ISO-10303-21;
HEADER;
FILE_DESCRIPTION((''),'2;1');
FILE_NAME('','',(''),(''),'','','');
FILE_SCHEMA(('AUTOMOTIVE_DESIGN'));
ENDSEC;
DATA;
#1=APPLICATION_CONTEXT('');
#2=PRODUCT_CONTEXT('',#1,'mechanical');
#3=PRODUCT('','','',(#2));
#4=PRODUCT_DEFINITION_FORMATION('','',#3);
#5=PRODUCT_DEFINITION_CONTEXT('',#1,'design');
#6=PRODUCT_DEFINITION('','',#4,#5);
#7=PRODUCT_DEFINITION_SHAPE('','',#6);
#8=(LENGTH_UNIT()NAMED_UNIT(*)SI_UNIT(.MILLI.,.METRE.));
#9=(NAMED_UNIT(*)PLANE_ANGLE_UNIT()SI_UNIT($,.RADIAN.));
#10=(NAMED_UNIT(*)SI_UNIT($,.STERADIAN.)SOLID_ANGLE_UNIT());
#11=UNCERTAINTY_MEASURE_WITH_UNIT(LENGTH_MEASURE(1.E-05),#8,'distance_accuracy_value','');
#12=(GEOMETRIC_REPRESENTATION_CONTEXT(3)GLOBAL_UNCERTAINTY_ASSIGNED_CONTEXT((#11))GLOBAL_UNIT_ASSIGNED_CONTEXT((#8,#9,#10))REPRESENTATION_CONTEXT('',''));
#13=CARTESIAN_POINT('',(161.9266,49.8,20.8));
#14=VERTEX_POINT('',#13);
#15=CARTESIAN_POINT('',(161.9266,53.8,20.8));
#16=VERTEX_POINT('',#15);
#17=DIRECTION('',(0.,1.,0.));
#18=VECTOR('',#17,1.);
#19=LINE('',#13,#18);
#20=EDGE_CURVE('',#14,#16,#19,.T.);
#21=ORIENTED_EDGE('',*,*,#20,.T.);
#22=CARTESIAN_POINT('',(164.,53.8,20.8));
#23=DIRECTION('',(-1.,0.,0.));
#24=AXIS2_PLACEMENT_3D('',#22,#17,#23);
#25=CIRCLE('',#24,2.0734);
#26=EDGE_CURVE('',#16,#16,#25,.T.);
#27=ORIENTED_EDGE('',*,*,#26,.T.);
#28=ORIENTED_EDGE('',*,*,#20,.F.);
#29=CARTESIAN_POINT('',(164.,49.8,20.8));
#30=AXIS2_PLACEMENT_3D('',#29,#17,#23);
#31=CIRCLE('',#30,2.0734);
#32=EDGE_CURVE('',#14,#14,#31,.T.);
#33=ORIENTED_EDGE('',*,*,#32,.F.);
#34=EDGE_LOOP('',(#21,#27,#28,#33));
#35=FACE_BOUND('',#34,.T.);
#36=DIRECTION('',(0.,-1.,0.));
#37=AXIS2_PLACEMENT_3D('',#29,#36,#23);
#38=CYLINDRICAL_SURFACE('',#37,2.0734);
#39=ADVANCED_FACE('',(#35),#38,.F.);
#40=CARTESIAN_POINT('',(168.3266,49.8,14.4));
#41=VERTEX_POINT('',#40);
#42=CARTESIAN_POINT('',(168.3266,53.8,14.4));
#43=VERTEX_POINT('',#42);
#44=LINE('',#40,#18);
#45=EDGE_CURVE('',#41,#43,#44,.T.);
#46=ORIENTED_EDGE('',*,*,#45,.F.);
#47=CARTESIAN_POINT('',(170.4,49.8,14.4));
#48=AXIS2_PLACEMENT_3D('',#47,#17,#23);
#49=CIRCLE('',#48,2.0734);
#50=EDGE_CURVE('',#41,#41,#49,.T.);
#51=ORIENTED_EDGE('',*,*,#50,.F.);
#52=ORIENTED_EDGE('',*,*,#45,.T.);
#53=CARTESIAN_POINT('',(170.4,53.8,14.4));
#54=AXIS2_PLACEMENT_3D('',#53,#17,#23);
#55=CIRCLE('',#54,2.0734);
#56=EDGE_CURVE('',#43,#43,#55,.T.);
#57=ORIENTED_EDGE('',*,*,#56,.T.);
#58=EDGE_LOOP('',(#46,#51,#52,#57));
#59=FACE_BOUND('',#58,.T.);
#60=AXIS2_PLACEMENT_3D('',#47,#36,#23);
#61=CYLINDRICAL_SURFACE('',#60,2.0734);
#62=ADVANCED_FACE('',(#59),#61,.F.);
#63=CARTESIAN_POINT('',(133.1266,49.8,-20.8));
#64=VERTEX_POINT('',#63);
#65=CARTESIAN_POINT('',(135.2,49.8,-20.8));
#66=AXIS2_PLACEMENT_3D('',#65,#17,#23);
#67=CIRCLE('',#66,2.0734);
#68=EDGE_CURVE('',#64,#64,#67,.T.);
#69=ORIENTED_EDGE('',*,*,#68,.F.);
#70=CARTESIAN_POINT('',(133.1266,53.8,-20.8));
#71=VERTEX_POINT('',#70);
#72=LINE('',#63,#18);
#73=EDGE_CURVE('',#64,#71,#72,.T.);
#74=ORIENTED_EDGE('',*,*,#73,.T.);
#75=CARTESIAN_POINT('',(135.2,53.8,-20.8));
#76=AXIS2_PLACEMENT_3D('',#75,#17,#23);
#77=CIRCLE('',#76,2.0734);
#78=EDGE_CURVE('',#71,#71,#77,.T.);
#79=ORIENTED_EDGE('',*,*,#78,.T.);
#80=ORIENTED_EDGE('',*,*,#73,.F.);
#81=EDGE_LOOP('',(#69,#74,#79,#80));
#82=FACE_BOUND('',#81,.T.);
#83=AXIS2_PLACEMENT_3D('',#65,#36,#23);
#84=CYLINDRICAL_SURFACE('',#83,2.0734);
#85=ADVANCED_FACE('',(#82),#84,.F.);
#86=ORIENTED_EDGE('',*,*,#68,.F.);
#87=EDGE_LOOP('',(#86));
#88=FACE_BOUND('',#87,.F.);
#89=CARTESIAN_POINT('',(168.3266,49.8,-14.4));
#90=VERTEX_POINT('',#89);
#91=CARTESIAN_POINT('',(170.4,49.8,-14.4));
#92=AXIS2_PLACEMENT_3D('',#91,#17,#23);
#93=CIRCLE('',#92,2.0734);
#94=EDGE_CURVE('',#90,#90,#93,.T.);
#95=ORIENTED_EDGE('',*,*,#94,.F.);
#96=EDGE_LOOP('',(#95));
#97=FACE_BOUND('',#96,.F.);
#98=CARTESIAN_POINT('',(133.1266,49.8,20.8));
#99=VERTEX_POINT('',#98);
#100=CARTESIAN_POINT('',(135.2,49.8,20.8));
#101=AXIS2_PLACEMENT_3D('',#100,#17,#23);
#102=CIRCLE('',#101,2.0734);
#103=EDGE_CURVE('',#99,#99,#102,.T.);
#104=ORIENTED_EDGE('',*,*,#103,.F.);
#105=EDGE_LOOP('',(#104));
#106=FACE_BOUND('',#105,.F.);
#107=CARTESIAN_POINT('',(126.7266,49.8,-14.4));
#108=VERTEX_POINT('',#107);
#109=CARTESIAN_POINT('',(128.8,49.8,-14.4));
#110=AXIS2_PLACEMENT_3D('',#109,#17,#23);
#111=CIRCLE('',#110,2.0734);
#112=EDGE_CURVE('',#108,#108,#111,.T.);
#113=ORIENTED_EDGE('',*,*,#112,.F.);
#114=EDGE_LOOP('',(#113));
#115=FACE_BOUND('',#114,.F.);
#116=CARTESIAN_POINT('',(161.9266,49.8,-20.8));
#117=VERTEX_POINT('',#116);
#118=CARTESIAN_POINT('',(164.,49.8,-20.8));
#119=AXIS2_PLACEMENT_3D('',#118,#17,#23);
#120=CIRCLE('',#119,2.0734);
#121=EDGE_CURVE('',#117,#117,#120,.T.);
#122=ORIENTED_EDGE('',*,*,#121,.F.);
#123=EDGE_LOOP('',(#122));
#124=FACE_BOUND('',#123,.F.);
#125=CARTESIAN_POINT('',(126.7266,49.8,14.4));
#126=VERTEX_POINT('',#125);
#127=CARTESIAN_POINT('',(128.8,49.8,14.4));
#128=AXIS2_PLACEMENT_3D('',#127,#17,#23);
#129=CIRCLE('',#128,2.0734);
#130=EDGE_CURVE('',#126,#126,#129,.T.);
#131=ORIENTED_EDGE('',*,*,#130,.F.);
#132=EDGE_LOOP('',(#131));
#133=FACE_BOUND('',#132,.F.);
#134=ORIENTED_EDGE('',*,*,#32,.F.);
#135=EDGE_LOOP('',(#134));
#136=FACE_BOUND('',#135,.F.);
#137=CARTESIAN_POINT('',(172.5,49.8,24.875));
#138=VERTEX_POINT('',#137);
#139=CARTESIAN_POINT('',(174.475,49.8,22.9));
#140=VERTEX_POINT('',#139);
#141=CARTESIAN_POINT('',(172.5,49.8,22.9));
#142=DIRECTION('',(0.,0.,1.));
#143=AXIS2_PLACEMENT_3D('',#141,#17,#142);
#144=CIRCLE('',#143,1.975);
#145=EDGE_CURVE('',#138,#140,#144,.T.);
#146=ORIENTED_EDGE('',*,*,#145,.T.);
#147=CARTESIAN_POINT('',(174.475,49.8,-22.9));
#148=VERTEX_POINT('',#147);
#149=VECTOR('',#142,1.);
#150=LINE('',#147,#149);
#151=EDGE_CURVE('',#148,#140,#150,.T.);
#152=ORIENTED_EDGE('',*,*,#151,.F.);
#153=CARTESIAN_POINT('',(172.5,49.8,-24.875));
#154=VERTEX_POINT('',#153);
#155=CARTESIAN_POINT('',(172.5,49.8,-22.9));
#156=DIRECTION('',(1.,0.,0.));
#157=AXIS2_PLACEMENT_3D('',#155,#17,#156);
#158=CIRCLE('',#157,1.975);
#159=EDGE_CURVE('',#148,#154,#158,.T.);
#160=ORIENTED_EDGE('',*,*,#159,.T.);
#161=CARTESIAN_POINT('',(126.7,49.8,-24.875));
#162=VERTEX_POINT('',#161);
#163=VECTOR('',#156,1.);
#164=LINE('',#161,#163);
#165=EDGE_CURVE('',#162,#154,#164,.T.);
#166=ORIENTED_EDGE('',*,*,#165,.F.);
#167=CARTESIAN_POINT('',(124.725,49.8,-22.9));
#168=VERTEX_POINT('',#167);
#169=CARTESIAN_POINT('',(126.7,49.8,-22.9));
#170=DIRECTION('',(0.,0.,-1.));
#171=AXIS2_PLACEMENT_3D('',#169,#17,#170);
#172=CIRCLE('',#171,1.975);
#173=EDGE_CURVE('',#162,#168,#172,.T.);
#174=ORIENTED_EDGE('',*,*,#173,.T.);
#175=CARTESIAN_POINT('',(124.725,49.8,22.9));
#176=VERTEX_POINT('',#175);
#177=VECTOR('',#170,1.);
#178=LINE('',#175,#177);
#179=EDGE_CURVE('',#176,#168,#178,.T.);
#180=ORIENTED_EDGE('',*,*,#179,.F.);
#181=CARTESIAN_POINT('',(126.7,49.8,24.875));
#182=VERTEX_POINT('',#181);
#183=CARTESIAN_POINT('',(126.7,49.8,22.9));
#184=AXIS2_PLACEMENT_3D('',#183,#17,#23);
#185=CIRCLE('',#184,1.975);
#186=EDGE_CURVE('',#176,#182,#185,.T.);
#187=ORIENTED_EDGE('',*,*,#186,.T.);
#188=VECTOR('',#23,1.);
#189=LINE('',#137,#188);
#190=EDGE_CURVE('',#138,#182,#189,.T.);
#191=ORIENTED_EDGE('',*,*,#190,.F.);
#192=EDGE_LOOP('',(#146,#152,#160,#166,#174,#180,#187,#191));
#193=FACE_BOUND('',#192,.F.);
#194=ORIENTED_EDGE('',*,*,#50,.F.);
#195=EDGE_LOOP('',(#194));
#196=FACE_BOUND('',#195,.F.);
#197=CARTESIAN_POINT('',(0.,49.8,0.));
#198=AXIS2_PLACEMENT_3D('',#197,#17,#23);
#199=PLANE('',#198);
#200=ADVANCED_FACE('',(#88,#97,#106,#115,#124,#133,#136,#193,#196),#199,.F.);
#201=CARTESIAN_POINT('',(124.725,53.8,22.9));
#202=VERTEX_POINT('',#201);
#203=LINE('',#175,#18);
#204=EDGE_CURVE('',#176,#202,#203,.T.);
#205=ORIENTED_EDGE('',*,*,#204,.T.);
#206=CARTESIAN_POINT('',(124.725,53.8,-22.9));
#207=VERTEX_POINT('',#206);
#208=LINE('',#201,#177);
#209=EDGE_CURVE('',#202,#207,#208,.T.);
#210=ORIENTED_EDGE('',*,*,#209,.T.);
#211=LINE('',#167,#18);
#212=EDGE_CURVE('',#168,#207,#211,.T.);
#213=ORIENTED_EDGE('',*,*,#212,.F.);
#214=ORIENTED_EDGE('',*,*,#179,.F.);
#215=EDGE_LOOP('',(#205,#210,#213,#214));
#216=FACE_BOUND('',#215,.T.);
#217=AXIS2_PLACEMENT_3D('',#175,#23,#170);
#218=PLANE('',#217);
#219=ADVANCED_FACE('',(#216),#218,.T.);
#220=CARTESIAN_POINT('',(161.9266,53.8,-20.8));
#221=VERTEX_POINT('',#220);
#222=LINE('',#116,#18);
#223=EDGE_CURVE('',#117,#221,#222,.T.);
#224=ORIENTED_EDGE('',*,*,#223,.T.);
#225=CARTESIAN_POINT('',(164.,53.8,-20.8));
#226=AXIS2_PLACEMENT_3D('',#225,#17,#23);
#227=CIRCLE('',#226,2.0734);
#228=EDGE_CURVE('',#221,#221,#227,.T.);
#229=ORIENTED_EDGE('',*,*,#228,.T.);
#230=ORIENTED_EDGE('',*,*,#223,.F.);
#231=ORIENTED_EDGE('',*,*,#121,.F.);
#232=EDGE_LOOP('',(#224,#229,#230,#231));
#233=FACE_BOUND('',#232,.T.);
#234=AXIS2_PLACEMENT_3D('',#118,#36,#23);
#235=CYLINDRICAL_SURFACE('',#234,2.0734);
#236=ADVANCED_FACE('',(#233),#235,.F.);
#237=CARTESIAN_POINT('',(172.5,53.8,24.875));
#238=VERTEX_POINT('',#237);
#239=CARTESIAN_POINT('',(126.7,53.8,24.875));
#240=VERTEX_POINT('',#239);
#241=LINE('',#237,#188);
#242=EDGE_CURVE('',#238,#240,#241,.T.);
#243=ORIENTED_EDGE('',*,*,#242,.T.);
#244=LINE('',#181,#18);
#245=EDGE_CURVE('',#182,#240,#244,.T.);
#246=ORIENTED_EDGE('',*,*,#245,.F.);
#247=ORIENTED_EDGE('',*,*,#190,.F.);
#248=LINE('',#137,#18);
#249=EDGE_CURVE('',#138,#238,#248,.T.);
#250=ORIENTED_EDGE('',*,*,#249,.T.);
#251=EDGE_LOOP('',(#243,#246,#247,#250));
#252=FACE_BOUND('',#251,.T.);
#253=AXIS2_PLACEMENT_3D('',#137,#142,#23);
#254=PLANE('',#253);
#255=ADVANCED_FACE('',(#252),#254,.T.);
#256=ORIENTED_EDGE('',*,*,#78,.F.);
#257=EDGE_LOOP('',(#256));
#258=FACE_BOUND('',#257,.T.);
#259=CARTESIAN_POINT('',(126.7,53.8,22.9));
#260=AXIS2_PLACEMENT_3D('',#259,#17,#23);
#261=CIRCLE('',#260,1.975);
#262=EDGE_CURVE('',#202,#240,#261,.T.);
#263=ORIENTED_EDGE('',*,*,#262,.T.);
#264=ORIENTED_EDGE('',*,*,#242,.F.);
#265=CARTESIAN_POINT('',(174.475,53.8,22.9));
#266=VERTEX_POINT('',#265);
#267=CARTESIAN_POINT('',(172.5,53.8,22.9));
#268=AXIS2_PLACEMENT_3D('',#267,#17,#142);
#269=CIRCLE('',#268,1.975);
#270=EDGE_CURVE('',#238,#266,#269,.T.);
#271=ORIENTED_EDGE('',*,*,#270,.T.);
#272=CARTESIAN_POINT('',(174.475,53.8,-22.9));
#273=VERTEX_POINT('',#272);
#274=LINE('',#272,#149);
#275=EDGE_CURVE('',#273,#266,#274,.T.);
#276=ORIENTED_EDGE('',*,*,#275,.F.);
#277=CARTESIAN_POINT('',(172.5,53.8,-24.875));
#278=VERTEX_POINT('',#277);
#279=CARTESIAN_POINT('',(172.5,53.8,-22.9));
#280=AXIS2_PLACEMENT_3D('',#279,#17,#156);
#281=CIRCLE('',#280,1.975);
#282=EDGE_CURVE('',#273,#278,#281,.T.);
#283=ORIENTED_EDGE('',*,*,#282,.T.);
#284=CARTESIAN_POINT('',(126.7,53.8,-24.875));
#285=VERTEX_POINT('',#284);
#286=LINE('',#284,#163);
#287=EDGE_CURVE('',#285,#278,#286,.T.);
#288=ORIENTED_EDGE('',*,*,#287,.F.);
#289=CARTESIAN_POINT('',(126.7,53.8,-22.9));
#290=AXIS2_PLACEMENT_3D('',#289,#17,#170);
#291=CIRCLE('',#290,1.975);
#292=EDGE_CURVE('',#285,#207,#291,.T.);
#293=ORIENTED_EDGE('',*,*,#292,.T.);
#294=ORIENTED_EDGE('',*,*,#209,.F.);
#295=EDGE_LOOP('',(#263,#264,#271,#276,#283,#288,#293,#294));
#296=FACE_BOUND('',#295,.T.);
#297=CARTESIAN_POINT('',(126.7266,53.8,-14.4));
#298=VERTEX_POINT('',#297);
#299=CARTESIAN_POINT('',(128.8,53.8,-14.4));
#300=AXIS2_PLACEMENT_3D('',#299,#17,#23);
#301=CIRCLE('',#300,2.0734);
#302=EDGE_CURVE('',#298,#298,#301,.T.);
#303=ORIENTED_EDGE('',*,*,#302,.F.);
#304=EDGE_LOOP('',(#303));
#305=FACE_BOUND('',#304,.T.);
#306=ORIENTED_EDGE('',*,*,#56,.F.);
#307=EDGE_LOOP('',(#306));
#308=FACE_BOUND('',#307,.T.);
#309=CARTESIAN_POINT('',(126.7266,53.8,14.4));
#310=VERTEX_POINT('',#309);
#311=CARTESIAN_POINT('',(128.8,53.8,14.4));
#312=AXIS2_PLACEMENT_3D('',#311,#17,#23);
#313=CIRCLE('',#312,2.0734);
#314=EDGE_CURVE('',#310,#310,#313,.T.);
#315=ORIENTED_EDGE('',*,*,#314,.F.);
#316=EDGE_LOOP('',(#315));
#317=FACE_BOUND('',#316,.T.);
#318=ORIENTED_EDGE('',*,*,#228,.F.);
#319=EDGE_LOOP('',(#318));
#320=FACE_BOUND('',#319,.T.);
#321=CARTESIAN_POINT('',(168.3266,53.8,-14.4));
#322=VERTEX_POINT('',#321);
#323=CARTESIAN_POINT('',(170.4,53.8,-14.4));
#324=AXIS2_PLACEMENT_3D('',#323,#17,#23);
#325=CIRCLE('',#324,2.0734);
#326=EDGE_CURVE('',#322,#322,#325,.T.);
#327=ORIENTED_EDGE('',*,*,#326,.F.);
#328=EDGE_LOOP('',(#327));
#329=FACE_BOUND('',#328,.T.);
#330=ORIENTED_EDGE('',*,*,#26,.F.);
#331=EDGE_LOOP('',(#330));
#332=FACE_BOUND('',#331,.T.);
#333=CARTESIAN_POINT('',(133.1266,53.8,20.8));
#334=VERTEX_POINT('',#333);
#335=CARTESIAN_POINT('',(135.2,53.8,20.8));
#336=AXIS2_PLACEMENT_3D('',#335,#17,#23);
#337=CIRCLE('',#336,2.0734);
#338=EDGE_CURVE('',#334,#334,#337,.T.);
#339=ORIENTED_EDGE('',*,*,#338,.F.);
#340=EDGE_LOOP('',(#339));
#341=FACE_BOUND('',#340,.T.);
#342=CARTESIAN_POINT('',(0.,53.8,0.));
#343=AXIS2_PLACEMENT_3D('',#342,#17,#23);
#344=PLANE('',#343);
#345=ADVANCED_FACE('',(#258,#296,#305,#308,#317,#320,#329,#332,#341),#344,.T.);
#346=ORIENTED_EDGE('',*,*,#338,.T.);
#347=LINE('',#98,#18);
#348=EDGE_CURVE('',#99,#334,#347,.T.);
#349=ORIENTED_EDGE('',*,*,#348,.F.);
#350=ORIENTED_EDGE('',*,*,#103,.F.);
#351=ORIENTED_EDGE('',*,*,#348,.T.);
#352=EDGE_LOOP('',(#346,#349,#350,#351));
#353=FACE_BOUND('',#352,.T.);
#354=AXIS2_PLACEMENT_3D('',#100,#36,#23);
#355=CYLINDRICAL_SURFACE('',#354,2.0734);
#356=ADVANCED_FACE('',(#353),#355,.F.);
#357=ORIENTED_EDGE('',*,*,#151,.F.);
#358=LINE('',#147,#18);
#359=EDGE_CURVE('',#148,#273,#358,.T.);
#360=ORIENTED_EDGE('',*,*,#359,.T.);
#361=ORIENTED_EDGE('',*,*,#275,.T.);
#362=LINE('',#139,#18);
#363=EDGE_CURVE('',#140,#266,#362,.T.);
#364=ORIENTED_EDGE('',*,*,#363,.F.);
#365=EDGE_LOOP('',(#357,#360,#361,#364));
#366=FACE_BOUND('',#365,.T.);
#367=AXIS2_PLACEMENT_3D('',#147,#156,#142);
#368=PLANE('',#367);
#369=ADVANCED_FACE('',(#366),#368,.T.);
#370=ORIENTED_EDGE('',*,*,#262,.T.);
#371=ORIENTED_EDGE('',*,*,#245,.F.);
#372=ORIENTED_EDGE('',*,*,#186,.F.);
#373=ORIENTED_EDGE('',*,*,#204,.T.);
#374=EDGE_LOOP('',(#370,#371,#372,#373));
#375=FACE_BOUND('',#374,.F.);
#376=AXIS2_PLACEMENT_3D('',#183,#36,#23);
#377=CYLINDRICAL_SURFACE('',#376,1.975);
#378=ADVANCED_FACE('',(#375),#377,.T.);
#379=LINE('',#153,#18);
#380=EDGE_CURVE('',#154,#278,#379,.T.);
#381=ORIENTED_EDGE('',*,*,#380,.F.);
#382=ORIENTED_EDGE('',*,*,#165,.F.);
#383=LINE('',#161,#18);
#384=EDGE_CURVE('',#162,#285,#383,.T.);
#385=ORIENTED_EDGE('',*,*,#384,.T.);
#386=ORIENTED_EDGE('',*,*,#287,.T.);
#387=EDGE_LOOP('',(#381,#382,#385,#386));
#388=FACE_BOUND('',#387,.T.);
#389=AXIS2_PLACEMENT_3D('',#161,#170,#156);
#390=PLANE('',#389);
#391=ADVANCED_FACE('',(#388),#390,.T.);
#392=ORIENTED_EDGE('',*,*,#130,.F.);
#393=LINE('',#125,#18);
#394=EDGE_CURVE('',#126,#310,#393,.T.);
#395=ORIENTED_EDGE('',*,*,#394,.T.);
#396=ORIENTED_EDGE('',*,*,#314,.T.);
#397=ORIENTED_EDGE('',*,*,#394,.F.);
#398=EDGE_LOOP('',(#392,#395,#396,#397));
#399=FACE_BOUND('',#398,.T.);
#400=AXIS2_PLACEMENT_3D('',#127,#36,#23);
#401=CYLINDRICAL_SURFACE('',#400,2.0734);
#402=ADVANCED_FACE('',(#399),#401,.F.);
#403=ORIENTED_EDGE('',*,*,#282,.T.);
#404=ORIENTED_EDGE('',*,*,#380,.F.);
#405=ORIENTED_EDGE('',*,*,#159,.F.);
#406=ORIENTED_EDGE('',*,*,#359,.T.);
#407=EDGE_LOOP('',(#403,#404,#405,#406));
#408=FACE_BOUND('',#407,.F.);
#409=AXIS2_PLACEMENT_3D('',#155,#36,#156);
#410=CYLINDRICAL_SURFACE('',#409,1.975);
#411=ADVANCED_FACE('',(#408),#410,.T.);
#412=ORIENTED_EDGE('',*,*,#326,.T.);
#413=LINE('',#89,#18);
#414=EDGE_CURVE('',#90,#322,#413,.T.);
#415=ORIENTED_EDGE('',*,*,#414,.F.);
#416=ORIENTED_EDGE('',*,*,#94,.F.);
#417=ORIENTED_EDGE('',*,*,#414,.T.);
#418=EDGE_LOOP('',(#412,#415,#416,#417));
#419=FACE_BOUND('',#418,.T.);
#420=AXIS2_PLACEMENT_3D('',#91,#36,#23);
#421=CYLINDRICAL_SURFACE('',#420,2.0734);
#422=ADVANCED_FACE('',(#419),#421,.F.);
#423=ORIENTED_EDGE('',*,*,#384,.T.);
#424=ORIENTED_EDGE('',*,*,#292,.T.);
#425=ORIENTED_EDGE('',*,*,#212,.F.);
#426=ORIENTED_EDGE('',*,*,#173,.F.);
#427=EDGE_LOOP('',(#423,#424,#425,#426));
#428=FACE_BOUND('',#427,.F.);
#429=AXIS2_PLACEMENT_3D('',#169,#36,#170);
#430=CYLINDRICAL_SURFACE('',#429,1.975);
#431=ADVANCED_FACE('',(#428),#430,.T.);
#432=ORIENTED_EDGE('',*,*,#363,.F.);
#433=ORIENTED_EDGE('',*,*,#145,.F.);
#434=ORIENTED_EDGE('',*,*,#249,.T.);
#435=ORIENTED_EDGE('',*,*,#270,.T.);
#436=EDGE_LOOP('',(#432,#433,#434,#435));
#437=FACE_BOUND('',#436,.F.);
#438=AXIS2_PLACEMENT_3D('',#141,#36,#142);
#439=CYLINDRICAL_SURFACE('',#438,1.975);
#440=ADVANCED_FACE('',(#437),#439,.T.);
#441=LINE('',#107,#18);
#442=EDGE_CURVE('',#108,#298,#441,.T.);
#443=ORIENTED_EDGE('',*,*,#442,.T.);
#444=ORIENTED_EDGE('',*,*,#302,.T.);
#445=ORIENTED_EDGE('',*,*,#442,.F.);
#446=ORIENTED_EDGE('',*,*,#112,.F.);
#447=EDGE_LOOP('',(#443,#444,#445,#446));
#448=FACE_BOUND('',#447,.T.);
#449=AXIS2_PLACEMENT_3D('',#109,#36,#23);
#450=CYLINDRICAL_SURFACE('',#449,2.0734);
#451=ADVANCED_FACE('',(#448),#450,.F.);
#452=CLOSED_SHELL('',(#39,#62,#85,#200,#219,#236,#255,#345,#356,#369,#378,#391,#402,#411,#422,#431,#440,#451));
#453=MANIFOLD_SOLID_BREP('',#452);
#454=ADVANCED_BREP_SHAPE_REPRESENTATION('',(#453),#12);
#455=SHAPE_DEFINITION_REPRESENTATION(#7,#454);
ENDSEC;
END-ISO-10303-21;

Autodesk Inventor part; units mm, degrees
ref_plane "YZ Plane" through (0, 0, 0) normal (1, 0, 0) x (0, 1, 0)
ref_plane "XZ Plane" through (0, 0, 0) normal (0, 1, 0) x (-1, 0, 0)
sketch "Sketch1" plane through (0, 0, 0) normal (0, 1, 0) x (-1, 0, 0)
  line L0 (-155.225, -15) -> (-155.225, 15) projected
  line L1 (-155.225, 15) -> (-147.725, 15) projected
  line L2 (-147.725, 15) -> (-147.725, -15) projected
  line L3 (-147.725, -15) -> (-155.225, -15) projected
  circle A0 centre (-171.5, -21.9) radius 1.875 projected
  circle A1 centre (-127.7, 21.9) radius 1.875 projected
  circle A2 centre (-127.7, -21.9) radius 1.875 projected
  circle A3 centre (-171.5, 21.9) radius 1.875 projected
  circle A4 centre (-135.2, 20.8) radius 2.0734 projected
  circle A5 centre (-164, -20.8) radius 2.0734 projected
  circle A6 centre (-135.2, -20.8) radius 2.0734 projected
  circle A7 centre (-128.8, -14.4) radius 2.0734 projected
  circle A8 centre (-128.8, 14.4) radius 2.0734 projected
  circle A9 centre (-164, 20.8) radius 2.0734 projected
  circle A10 centre (-170.4, -14.4) radius 2.0734 projected
  circle A11 centre (-170.4, 14.4) radius 2.0734 projected
  line L4 (-172.5, 24.875) -> (-126.7, 24.875) projected
  arc A12 (-172.5, 24.875) -> (-174.475, 22.9) centre (-172.5, 22.9) ccw projected
  line L5 (-174.475, -22.9) -> (-174.475, 22.9) projected
  arc A13 (-174.475, -22.9) -> (-172.5, -24.875) centre (-172.5, -22.9) ccw projected
  line L6 (-126.7, -24.875) -> (-172.5, -24.875) projected
  arc A14 (-126.7, -24.875) -> (-124.725, -22.9) centre (-126.7, -22.9) ccw projected
  line L7 (-124.725, 22.9) -> (-124.725, -22.9) projected
  arc A15 (-124.725, 22.9) -> (-126.7, 24.875) centre (-126.7, 22.9) ccw projected
  point P0 (0, 0)
ref_plane "Work Plane1" through (124.725, 49.8, -24.875) normal (0, 1, 0) x (0, 0, 1)
extrude "Extrusion1" add sketch "Sketch1" along normal blind 4 from surface at 49.8 contours L0 L1 L2 L3 | A0 | A1 | A2 | A3 | L4 A15 L7 A14 L6 A13 L5 A12
properties part number "Outer Cover Top"
